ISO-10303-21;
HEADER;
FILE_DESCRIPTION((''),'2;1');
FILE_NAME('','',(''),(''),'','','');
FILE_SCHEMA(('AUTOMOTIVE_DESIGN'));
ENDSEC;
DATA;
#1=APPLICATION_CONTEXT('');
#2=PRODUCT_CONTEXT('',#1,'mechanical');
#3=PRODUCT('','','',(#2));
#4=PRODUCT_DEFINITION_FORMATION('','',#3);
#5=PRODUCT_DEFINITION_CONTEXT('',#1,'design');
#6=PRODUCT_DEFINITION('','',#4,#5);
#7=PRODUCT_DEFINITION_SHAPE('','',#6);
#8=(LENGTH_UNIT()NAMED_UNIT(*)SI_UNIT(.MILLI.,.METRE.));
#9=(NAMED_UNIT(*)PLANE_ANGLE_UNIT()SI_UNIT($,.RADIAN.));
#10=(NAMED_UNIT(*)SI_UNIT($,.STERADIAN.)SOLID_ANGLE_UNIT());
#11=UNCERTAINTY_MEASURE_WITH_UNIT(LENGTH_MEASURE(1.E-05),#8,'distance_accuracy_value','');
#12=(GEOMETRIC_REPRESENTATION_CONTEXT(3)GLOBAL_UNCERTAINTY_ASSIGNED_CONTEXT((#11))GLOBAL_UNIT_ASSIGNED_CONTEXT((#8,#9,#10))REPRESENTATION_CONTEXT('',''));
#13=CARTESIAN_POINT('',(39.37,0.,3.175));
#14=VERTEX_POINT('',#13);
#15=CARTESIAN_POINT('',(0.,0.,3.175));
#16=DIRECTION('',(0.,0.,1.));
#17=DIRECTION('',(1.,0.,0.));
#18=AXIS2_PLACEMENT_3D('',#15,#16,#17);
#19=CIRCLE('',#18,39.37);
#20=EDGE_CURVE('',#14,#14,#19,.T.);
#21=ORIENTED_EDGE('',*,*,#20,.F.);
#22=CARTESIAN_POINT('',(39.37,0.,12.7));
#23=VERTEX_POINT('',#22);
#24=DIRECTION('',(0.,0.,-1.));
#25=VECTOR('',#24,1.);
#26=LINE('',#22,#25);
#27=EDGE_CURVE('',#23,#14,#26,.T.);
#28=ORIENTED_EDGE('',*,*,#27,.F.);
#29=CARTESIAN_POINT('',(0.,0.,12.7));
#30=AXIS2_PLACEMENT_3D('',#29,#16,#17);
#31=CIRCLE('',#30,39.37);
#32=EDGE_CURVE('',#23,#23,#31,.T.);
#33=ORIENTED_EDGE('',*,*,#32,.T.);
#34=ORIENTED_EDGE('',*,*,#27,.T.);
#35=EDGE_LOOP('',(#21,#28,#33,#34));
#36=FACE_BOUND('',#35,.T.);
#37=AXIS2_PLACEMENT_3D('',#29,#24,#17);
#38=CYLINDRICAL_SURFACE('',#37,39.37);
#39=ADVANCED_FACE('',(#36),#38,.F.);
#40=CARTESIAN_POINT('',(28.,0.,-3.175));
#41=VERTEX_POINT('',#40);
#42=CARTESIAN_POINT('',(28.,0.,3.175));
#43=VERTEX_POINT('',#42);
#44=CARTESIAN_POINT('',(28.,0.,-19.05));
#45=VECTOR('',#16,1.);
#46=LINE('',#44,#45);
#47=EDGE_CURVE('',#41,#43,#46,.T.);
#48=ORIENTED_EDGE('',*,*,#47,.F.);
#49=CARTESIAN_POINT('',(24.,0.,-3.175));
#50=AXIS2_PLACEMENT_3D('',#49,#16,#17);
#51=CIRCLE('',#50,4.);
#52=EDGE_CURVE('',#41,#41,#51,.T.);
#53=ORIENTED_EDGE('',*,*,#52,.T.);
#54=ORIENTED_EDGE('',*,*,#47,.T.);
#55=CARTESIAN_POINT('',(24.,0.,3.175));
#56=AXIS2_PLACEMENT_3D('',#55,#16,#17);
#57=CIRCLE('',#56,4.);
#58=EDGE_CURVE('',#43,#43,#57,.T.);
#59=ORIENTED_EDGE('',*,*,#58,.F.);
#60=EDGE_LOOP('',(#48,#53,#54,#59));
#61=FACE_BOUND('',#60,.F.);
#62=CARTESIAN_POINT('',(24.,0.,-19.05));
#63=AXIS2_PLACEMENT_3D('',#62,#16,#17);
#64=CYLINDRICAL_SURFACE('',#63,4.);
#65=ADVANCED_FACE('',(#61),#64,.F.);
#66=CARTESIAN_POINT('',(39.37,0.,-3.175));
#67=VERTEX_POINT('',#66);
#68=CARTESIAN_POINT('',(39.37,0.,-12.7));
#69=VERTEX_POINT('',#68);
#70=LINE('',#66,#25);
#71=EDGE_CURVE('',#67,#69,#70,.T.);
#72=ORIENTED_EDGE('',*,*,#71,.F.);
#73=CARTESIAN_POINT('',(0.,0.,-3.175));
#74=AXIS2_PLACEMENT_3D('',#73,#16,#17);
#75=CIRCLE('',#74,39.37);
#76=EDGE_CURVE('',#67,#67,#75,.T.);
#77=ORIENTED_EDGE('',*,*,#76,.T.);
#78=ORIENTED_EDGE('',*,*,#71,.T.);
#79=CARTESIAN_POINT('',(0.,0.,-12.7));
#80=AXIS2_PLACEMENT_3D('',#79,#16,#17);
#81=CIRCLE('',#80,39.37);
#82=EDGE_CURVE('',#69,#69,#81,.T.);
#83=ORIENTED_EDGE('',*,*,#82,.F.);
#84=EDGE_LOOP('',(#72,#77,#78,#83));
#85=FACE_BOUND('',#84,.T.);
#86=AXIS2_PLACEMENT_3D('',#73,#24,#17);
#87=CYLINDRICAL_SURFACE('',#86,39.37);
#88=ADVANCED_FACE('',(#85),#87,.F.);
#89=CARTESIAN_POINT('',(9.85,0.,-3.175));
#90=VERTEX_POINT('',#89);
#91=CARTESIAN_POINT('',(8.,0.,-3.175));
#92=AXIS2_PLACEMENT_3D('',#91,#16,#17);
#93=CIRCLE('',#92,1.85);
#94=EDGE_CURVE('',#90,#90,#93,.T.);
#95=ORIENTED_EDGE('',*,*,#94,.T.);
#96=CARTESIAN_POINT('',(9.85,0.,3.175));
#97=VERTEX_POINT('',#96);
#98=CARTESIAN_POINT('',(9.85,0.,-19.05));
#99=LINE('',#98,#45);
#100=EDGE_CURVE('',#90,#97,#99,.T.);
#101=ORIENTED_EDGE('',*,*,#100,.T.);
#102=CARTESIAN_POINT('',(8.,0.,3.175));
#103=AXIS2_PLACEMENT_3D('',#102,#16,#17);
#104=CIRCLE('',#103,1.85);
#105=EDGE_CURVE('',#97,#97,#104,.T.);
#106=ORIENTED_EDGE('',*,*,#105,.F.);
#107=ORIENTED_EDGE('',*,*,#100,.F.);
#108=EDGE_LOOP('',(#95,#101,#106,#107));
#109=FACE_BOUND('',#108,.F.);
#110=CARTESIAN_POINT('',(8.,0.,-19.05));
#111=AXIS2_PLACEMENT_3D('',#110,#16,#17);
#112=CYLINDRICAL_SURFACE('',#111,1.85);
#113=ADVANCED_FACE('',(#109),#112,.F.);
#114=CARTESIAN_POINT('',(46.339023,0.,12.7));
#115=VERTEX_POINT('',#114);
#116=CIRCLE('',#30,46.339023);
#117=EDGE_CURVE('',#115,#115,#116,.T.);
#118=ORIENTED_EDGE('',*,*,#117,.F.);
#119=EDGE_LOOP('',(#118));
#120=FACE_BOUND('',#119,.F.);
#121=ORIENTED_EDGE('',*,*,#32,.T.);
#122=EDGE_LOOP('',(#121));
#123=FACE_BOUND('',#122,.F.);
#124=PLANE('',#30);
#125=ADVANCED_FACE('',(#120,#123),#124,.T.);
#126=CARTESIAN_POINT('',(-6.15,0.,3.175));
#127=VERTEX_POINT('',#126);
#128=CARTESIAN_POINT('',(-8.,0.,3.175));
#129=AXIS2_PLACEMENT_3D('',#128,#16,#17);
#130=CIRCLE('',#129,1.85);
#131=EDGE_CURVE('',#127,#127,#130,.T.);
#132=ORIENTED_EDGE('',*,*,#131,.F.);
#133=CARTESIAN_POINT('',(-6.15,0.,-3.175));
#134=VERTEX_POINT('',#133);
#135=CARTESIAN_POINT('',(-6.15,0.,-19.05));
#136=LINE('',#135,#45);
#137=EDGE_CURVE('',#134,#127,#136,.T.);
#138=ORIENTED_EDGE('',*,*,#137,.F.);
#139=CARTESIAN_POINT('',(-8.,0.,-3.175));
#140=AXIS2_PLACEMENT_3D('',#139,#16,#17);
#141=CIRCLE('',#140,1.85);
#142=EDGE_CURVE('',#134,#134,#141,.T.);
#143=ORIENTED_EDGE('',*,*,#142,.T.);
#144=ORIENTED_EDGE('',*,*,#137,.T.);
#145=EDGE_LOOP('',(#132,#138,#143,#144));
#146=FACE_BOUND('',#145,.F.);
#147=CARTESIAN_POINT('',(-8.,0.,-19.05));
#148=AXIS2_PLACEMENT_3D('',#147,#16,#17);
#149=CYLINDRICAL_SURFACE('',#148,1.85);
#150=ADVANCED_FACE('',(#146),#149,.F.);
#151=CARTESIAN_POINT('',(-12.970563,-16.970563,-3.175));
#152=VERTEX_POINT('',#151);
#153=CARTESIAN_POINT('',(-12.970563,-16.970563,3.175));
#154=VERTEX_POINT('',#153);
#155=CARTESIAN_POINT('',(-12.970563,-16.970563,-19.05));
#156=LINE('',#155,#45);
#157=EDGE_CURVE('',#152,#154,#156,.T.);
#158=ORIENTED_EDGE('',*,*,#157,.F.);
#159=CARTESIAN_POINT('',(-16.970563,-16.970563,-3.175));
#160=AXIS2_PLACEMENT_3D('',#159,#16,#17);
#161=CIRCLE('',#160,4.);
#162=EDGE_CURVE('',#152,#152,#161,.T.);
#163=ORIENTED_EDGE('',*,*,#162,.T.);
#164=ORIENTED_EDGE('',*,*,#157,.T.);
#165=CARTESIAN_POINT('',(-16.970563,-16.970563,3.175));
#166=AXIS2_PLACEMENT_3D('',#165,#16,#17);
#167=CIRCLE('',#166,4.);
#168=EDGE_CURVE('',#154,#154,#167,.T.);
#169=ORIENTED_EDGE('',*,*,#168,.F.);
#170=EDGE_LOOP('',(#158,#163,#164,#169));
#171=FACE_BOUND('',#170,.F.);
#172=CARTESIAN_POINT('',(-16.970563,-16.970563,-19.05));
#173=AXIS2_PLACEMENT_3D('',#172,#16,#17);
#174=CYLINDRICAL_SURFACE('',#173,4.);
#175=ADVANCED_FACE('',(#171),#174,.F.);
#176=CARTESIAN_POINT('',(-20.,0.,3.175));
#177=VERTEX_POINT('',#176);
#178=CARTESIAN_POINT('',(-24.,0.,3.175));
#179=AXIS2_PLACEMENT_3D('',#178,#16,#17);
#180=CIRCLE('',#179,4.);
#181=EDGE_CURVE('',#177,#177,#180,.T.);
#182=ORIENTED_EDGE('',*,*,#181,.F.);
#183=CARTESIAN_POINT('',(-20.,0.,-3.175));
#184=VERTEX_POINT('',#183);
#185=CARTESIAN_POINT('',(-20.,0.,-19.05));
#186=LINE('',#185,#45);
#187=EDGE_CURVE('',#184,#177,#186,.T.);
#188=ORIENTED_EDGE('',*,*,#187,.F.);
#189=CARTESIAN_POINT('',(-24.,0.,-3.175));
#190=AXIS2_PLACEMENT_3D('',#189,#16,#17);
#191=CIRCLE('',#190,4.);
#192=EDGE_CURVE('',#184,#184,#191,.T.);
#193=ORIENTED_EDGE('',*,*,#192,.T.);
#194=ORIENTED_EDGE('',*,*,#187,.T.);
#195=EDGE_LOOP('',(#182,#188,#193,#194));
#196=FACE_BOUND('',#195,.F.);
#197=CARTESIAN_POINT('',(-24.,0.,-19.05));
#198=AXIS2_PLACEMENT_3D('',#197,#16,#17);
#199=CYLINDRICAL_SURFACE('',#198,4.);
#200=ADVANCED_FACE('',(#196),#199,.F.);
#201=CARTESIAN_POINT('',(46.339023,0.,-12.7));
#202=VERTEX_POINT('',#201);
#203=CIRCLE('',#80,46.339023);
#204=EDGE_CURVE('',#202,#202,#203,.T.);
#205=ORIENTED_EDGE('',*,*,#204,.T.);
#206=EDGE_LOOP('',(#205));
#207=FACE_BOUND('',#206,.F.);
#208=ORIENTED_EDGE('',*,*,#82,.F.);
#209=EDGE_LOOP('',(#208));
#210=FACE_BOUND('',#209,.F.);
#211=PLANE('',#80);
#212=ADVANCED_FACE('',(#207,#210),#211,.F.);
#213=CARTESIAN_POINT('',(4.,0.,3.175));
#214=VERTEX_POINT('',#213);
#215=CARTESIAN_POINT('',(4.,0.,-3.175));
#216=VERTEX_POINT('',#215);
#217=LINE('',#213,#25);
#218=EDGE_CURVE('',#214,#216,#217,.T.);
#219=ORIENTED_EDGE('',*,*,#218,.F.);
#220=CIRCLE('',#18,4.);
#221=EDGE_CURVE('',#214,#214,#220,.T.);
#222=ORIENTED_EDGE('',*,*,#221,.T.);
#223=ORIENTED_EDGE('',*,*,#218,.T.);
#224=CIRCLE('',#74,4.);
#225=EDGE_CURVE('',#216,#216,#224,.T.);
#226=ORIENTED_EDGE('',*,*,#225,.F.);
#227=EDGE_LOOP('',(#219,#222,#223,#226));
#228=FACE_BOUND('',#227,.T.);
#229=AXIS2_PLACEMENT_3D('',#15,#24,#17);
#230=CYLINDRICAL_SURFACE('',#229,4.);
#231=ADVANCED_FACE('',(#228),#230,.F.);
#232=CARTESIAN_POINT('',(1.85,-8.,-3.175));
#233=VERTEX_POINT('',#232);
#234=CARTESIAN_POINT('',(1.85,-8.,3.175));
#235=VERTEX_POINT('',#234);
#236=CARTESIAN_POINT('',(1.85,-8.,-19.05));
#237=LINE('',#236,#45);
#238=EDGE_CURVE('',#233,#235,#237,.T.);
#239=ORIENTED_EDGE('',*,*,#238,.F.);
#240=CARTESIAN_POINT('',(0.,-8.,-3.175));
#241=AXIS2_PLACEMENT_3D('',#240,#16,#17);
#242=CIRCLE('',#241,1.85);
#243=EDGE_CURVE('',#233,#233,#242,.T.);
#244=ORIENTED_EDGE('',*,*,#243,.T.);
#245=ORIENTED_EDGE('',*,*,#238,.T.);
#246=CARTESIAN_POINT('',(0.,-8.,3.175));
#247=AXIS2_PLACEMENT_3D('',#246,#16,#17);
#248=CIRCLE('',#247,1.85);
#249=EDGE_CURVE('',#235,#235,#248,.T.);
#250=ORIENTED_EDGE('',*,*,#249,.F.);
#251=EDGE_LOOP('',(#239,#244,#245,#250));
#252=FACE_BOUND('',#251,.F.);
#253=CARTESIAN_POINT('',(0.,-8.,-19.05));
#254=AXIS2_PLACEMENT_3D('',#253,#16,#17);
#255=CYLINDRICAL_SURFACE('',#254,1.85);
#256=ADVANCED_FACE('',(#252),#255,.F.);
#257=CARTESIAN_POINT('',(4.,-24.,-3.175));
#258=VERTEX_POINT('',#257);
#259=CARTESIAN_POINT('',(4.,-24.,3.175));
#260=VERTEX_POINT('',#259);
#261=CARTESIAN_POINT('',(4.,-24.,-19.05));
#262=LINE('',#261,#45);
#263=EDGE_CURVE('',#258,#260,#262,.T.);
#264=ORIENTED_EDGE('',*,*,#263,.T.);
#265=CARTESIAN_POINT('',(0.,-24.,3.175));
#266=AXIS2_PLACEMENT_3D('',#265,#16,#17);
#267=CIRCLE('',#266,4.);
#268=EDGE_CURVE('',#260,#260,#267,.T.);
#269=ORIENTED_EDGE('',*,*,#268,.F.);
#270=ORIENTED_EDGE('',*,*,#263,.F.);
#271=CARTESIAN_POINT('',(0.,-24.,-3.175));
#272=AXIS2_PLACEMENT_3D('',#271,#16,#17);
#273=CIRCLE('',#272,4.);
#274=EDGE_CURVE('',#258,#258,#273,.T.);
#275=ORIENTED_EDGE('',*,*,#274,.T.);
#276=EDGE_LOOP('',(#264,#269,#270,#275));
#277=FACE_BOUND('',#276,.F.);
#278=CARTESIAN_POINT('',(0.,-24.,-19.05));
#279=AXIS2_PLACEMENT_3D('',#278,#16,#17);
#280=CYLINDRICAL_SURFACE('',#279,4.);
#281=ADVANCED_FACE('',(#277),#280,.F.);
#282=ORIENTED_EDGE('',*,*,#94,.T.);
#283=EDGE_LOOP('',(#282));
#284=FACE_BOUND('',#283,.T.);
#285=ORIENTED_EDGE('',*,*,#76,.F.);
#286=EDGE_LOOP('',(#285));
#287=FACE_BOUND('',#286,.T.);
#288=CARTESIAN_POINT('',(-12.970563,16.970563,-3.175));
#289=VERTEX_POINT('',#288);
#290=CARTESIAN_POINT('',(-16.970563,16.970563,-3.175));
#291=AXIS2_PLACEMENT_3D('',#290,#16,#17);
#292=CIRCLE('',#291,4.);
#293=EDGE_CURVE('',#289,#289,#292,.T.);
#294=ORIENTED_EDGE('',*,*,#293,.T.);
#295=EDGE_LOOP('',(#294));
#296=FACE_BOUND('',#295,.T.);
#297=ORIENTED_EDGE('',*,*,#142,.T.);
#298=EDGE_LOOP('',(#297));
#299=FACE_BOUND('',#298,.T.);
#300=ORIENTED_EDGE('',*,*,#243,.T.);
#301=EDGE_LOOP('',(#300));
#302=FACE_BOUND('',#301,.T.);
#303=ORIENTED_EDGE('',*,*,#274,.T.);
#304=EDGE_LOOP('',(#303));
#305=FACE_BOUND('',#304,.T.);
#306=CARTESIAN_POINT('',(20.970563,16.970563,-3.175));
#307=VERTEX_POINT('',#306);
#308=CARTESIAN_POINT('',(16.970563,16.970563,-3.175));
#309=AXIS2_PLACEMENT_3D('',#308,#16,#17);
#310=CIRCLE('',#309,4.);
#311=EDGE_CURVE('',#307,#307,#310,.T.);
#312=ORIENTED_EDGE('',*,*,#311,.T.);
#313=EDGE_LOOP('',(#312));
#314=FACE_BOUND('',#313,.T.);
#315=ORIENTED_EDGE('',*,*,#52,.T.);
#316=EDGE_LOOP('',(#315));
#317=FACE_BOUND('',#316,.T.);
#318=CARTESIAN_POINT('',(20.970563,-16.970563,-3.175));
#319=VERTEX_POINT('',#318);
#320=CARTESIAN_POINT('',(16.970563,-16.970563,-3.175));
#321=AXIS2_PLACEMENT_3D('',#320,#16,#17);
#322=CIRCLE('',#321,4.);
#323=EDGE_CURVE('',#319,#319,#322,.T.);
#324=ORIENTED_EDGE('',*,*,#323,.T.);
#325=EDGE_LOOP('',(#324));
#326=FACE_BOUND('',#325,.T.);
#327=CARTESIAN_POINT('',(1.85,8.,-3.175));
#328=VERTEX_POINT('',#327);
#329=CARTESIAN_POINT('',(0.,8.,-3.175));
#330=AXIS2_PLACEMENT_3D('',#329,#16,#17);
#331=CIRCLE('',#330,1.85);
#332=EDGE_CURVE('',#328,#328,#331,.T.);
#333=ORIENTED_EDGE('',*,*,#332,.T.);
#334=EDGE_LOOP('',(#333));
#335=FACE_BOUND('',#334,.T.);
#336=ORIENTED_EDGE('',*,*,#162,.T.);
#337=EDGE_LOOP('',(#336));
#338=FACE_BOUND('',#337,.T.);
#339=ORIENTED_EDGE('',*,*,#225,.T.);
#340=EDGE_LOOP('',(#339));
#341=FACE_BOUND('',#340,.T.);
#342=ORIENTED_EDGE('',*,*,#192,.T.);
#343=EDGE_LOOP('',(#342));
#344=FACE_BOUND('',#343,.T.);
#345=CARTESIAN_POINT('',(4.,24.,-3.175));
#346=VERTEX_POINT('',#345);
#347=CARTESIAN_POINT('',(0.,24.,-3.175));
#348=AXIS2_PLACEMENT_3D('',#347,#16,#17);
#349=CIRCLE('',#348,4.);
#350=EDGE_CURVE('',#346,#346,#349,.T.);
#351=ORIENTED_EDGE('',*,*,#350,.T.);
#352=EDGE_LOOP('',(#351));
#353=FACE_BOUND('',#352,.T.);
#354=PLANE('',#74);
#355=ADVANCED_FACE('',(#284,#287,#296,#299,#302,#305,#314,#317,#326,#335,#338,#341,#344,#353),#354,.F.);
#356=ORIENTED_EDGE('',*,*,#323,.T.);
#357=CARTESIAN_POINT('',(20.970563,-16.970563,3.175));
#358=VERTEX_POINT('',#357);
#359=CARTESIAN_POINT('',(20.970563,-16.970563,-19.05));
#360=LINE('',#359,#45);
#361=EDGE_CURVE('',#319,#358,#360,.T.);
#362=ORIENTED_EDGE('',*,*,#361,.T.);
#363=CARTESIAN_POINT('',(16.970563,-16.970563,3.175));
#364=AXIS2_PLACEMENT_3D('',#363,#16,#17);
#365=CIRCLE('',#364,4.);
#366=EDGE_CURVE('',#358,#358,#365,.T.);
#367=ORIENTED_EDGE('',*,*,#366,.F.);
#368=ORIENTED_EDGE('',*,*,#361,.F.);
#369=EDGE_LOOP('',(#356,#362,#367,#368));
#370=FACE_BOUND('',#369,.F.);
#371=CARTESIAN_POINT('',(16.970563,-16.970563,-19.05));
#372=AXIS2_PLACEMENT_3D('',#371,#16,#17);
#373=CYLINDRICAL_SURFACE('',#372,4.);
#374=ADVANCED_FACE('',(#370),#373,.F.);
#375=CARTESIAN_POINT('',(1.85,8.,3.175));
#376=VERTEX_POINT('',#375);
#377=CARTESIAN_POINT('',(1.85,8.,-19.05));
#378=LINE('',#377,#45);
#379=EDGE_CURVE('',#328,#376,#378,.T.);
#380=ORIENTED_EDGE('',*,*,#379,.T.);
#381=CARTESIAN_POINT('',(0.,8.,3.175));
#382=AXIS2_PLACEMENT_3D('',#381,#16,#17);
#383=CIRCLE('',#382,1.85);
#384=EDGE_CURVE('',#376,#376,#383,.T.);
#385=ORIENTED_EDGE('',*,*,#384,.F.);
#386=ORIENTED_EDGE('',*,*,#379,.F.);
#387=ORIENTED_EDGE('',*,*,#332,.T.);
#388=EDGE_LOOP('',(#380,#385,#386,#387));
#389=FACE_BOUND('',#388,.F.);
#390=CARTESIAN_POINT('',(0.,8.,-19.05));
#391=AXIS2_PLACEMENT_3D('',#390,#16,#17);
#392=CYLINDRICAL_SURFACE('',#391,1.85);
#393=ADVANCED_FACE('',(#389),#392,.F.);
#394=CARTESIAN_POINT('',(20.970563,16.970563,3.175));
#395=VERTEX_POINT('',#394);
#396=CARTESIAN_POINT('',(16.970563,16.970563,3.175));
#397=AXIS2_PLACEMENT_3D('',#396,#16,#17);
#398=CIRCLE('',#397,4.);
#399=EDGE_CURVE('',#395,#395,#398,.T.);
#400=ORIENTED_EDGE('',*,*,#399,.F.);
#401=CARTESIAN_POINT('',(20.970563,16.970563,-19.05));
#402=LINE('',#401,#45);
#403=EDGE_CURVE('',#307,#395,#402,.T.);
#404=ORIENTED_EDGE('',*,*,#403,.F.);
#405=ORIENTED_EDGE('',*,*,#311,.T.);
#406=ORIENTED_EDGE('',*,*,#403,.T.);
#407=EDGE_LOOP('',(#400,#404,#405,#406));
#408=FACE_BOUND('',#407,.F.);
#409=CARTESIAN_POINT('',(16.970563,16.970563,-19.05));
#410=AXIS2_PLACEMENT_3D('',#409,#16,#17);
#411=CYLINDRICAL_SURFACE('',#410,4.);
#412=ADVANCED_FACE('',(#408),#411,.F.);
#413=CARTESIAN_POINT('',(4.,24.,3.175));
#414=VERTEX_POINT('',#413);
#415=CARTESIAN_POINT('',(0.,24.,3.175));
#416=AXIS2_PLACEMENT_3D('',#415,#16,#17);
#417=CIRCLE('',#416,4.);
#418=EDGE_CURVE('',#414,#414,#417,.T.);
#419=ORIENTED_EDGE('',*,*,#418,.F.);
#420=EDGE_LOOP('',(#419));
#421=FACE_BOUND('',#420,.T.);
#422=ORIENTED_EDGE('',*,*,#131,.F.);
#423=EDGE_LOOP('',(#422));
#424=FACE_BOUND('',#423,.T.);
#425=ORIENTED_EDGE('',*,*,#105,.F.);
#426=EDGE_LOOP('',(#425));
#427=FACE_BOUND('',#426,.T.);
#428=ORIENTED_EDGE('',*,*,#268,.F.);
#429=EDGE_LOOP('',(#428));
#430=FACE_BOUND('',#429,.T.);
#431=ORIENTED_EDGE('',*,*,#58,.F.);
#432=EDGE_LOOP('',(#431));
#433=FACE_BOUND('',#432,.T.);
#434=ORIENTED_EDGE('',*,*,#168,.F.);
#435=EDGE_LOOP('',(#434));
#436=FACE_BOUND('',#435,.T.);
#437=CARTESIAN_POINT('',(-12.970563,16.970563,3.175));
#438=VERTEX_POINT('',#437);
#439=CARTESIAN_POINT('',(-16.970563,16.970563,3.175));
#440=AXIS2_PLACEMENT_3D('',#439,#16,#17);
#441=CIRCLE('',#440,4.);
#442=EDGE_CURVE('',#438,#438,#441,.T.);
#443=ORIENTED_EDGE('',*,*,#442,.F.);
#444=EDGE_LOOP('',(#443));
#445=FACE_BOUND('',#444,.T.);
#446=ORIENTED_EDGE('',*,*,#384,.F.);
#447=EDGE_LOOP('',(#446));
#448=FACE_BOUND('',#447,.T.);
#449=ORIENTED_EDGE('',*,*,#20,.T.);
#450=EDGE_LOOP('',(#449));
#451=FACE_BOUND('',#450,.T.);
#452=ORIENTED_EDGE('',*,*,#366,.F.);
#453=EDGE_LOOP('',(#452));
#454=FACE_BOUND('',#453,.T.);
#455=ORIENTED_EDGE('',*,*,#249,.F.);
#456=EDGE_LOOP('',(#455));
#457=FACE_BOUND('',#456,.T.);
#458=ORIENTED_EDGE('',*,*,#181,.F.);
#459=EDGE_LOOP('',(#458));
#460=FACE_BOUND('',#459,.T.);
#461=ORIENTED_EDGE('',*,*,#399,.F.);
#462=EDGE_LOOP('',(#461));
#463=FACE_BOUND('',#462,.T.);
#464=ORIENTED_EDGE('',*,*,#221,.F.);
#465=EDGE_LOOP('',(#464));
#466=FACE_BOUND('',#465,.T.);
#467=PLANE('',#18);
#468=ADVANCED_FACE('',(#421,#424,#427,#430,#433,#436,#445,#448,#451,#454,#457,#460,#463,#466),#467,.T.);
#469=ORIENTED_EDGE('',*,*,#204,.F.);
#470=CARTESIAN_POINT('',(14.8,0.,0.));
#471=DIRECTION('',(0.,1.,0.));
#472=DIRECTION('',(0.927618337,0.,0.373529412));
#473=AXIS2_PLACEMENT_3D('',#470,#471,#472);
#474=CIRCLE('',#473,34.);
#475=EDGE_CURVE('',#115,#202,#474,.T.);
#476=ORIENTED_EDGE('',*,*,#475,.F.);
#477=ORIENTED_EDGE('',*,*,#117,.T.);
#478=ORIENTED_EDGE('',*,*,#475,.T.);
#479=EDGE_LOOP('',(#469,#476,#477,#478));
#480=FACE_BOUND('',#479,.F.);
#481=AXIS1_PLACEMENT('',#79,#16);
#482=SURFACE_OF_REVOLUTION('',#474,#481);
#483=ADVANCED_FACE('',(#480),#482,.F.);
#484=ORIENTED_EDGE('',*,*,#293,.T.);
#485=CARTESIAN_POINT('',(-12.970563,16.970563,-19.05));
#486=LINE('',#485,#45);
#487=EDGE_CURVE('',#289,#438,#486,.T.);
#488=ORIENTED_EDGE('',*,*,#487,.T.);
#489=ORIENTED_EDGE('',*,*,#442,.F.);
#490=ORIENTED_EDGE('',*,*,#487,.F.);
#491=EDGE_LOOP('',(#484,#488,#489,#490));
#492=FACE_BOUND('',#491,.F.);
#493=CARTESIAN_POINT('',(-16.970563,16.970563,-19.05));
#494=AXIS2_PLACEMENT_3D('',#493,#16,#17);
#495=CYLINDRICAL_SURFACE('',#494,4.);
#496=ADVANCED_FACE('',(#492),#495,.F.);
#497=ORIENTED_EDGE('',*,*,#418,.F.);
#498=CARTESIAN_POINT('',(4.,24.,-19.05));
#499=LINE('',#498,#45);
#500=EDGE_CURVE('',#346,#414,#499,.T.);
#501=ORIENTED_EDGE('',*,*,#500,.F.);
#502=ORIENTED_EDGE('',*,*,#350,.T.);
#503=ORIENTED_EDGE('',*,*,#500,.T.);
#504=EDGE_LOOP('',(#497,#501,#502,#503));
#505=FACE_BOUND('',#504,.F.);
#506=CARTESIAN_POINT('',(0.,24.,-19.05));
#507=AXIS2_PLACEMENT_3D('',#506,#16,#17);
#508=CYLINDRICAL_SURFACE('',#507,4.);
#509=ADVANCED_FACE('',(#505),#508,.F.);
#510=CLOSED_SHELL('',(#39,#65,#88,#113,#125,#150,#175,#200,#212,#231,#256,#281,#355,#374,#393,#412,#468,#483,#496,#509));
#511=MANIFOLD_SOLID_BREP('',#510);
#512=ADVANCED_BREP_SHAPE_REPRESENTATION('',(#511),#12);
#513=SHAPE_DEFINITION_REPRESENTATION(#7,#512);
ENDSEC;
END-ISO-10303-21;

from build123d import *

# Parameters (mm, degrees)
F_8_0_8_DIAMETER_HOLE1_D       = 8
F_8_0_8_DIAMETER_HOLE1_DEPTH   = 15.875
F_3_7_3_7_DIAMETER_HOLE1_D     = 3.7
F_3_7_3_7_DIAMETER_HOLE1_DEPTH = 15.875


with BuildPart() as part:
    # Sketch1 → Revolve1 (revolve)
    with BuildSketch(Plane(origin=(0, 0, 0), x_dir=(1, 0, 0), z_dir=(0, 1, 0))):
        with BuildLine():
            Line((46.339023447, 12.7), (0, 12.7))
            Line((0, 12.7), (0, -12.7))
            Line((0, -12.7), (46.339023447, -12.7))
            ThreePointArc((46.339023447, -12.7), (48.8, 0), (46.339023447, 12.7))
        make_face()
    revolve(axis=Axis((0, 0, -12.7), (0, 0, 1)))

    # Sketch2 → Cut-Revolve1 (revolve, cut)
    with BuildSketch(Plane(origin=(0, 0, 0), x_dir=(1, 0, 0), z_dir=(0, 1, 0))):
        Polygon((39.37, 12.7), (0, 12.7), (0, -12.7), (39.37, -12.7), (39.37, -3.175), (4, -3.175), (4, 3.175), (39.37, 3.175), align=None)
    revolve(axis=Axis((0, 0, -12.7), (0, 0, 1)), mode=Mode.SUBTRACT)

    # Ø8.0 (8) Diameter Hole1
    with Locations(Plane(origin=(0, 0, -3.175), x_dir=(-1, 0, 0), z_dir=(0, 0, -1))):
        with Locations((0, -24), (-16.970562748, -16.970562748), (-24, 0), (-16.970562748, 16.970562748), (0, 24), (16.970562748, 16.970562748), (24, 0), (16.970562748, -16.970562748)):
            Hole(F_8_0_8_DIAMETER_HOLE1_D / 2, depth=F_8_0_8_DIAMETER_HOLE1_DEPTH)

    # Ø3.7 (3.7) Diameter Hole1
    with Locations(Plane(origin=(0, 0, -3.175), x_dir=(-1, 0, 0), z_dir=(0, 0, -1))):
        with Locations((-8, 0), (0, -8), (8, 0), (0, 8)):
            Hole(F_3_7_3_7_DIAMETER_HOLE1_D / 2, depth=F_3_7_3_7_DIAMETER_HOLE1_DEPTH)


solid = part.part
